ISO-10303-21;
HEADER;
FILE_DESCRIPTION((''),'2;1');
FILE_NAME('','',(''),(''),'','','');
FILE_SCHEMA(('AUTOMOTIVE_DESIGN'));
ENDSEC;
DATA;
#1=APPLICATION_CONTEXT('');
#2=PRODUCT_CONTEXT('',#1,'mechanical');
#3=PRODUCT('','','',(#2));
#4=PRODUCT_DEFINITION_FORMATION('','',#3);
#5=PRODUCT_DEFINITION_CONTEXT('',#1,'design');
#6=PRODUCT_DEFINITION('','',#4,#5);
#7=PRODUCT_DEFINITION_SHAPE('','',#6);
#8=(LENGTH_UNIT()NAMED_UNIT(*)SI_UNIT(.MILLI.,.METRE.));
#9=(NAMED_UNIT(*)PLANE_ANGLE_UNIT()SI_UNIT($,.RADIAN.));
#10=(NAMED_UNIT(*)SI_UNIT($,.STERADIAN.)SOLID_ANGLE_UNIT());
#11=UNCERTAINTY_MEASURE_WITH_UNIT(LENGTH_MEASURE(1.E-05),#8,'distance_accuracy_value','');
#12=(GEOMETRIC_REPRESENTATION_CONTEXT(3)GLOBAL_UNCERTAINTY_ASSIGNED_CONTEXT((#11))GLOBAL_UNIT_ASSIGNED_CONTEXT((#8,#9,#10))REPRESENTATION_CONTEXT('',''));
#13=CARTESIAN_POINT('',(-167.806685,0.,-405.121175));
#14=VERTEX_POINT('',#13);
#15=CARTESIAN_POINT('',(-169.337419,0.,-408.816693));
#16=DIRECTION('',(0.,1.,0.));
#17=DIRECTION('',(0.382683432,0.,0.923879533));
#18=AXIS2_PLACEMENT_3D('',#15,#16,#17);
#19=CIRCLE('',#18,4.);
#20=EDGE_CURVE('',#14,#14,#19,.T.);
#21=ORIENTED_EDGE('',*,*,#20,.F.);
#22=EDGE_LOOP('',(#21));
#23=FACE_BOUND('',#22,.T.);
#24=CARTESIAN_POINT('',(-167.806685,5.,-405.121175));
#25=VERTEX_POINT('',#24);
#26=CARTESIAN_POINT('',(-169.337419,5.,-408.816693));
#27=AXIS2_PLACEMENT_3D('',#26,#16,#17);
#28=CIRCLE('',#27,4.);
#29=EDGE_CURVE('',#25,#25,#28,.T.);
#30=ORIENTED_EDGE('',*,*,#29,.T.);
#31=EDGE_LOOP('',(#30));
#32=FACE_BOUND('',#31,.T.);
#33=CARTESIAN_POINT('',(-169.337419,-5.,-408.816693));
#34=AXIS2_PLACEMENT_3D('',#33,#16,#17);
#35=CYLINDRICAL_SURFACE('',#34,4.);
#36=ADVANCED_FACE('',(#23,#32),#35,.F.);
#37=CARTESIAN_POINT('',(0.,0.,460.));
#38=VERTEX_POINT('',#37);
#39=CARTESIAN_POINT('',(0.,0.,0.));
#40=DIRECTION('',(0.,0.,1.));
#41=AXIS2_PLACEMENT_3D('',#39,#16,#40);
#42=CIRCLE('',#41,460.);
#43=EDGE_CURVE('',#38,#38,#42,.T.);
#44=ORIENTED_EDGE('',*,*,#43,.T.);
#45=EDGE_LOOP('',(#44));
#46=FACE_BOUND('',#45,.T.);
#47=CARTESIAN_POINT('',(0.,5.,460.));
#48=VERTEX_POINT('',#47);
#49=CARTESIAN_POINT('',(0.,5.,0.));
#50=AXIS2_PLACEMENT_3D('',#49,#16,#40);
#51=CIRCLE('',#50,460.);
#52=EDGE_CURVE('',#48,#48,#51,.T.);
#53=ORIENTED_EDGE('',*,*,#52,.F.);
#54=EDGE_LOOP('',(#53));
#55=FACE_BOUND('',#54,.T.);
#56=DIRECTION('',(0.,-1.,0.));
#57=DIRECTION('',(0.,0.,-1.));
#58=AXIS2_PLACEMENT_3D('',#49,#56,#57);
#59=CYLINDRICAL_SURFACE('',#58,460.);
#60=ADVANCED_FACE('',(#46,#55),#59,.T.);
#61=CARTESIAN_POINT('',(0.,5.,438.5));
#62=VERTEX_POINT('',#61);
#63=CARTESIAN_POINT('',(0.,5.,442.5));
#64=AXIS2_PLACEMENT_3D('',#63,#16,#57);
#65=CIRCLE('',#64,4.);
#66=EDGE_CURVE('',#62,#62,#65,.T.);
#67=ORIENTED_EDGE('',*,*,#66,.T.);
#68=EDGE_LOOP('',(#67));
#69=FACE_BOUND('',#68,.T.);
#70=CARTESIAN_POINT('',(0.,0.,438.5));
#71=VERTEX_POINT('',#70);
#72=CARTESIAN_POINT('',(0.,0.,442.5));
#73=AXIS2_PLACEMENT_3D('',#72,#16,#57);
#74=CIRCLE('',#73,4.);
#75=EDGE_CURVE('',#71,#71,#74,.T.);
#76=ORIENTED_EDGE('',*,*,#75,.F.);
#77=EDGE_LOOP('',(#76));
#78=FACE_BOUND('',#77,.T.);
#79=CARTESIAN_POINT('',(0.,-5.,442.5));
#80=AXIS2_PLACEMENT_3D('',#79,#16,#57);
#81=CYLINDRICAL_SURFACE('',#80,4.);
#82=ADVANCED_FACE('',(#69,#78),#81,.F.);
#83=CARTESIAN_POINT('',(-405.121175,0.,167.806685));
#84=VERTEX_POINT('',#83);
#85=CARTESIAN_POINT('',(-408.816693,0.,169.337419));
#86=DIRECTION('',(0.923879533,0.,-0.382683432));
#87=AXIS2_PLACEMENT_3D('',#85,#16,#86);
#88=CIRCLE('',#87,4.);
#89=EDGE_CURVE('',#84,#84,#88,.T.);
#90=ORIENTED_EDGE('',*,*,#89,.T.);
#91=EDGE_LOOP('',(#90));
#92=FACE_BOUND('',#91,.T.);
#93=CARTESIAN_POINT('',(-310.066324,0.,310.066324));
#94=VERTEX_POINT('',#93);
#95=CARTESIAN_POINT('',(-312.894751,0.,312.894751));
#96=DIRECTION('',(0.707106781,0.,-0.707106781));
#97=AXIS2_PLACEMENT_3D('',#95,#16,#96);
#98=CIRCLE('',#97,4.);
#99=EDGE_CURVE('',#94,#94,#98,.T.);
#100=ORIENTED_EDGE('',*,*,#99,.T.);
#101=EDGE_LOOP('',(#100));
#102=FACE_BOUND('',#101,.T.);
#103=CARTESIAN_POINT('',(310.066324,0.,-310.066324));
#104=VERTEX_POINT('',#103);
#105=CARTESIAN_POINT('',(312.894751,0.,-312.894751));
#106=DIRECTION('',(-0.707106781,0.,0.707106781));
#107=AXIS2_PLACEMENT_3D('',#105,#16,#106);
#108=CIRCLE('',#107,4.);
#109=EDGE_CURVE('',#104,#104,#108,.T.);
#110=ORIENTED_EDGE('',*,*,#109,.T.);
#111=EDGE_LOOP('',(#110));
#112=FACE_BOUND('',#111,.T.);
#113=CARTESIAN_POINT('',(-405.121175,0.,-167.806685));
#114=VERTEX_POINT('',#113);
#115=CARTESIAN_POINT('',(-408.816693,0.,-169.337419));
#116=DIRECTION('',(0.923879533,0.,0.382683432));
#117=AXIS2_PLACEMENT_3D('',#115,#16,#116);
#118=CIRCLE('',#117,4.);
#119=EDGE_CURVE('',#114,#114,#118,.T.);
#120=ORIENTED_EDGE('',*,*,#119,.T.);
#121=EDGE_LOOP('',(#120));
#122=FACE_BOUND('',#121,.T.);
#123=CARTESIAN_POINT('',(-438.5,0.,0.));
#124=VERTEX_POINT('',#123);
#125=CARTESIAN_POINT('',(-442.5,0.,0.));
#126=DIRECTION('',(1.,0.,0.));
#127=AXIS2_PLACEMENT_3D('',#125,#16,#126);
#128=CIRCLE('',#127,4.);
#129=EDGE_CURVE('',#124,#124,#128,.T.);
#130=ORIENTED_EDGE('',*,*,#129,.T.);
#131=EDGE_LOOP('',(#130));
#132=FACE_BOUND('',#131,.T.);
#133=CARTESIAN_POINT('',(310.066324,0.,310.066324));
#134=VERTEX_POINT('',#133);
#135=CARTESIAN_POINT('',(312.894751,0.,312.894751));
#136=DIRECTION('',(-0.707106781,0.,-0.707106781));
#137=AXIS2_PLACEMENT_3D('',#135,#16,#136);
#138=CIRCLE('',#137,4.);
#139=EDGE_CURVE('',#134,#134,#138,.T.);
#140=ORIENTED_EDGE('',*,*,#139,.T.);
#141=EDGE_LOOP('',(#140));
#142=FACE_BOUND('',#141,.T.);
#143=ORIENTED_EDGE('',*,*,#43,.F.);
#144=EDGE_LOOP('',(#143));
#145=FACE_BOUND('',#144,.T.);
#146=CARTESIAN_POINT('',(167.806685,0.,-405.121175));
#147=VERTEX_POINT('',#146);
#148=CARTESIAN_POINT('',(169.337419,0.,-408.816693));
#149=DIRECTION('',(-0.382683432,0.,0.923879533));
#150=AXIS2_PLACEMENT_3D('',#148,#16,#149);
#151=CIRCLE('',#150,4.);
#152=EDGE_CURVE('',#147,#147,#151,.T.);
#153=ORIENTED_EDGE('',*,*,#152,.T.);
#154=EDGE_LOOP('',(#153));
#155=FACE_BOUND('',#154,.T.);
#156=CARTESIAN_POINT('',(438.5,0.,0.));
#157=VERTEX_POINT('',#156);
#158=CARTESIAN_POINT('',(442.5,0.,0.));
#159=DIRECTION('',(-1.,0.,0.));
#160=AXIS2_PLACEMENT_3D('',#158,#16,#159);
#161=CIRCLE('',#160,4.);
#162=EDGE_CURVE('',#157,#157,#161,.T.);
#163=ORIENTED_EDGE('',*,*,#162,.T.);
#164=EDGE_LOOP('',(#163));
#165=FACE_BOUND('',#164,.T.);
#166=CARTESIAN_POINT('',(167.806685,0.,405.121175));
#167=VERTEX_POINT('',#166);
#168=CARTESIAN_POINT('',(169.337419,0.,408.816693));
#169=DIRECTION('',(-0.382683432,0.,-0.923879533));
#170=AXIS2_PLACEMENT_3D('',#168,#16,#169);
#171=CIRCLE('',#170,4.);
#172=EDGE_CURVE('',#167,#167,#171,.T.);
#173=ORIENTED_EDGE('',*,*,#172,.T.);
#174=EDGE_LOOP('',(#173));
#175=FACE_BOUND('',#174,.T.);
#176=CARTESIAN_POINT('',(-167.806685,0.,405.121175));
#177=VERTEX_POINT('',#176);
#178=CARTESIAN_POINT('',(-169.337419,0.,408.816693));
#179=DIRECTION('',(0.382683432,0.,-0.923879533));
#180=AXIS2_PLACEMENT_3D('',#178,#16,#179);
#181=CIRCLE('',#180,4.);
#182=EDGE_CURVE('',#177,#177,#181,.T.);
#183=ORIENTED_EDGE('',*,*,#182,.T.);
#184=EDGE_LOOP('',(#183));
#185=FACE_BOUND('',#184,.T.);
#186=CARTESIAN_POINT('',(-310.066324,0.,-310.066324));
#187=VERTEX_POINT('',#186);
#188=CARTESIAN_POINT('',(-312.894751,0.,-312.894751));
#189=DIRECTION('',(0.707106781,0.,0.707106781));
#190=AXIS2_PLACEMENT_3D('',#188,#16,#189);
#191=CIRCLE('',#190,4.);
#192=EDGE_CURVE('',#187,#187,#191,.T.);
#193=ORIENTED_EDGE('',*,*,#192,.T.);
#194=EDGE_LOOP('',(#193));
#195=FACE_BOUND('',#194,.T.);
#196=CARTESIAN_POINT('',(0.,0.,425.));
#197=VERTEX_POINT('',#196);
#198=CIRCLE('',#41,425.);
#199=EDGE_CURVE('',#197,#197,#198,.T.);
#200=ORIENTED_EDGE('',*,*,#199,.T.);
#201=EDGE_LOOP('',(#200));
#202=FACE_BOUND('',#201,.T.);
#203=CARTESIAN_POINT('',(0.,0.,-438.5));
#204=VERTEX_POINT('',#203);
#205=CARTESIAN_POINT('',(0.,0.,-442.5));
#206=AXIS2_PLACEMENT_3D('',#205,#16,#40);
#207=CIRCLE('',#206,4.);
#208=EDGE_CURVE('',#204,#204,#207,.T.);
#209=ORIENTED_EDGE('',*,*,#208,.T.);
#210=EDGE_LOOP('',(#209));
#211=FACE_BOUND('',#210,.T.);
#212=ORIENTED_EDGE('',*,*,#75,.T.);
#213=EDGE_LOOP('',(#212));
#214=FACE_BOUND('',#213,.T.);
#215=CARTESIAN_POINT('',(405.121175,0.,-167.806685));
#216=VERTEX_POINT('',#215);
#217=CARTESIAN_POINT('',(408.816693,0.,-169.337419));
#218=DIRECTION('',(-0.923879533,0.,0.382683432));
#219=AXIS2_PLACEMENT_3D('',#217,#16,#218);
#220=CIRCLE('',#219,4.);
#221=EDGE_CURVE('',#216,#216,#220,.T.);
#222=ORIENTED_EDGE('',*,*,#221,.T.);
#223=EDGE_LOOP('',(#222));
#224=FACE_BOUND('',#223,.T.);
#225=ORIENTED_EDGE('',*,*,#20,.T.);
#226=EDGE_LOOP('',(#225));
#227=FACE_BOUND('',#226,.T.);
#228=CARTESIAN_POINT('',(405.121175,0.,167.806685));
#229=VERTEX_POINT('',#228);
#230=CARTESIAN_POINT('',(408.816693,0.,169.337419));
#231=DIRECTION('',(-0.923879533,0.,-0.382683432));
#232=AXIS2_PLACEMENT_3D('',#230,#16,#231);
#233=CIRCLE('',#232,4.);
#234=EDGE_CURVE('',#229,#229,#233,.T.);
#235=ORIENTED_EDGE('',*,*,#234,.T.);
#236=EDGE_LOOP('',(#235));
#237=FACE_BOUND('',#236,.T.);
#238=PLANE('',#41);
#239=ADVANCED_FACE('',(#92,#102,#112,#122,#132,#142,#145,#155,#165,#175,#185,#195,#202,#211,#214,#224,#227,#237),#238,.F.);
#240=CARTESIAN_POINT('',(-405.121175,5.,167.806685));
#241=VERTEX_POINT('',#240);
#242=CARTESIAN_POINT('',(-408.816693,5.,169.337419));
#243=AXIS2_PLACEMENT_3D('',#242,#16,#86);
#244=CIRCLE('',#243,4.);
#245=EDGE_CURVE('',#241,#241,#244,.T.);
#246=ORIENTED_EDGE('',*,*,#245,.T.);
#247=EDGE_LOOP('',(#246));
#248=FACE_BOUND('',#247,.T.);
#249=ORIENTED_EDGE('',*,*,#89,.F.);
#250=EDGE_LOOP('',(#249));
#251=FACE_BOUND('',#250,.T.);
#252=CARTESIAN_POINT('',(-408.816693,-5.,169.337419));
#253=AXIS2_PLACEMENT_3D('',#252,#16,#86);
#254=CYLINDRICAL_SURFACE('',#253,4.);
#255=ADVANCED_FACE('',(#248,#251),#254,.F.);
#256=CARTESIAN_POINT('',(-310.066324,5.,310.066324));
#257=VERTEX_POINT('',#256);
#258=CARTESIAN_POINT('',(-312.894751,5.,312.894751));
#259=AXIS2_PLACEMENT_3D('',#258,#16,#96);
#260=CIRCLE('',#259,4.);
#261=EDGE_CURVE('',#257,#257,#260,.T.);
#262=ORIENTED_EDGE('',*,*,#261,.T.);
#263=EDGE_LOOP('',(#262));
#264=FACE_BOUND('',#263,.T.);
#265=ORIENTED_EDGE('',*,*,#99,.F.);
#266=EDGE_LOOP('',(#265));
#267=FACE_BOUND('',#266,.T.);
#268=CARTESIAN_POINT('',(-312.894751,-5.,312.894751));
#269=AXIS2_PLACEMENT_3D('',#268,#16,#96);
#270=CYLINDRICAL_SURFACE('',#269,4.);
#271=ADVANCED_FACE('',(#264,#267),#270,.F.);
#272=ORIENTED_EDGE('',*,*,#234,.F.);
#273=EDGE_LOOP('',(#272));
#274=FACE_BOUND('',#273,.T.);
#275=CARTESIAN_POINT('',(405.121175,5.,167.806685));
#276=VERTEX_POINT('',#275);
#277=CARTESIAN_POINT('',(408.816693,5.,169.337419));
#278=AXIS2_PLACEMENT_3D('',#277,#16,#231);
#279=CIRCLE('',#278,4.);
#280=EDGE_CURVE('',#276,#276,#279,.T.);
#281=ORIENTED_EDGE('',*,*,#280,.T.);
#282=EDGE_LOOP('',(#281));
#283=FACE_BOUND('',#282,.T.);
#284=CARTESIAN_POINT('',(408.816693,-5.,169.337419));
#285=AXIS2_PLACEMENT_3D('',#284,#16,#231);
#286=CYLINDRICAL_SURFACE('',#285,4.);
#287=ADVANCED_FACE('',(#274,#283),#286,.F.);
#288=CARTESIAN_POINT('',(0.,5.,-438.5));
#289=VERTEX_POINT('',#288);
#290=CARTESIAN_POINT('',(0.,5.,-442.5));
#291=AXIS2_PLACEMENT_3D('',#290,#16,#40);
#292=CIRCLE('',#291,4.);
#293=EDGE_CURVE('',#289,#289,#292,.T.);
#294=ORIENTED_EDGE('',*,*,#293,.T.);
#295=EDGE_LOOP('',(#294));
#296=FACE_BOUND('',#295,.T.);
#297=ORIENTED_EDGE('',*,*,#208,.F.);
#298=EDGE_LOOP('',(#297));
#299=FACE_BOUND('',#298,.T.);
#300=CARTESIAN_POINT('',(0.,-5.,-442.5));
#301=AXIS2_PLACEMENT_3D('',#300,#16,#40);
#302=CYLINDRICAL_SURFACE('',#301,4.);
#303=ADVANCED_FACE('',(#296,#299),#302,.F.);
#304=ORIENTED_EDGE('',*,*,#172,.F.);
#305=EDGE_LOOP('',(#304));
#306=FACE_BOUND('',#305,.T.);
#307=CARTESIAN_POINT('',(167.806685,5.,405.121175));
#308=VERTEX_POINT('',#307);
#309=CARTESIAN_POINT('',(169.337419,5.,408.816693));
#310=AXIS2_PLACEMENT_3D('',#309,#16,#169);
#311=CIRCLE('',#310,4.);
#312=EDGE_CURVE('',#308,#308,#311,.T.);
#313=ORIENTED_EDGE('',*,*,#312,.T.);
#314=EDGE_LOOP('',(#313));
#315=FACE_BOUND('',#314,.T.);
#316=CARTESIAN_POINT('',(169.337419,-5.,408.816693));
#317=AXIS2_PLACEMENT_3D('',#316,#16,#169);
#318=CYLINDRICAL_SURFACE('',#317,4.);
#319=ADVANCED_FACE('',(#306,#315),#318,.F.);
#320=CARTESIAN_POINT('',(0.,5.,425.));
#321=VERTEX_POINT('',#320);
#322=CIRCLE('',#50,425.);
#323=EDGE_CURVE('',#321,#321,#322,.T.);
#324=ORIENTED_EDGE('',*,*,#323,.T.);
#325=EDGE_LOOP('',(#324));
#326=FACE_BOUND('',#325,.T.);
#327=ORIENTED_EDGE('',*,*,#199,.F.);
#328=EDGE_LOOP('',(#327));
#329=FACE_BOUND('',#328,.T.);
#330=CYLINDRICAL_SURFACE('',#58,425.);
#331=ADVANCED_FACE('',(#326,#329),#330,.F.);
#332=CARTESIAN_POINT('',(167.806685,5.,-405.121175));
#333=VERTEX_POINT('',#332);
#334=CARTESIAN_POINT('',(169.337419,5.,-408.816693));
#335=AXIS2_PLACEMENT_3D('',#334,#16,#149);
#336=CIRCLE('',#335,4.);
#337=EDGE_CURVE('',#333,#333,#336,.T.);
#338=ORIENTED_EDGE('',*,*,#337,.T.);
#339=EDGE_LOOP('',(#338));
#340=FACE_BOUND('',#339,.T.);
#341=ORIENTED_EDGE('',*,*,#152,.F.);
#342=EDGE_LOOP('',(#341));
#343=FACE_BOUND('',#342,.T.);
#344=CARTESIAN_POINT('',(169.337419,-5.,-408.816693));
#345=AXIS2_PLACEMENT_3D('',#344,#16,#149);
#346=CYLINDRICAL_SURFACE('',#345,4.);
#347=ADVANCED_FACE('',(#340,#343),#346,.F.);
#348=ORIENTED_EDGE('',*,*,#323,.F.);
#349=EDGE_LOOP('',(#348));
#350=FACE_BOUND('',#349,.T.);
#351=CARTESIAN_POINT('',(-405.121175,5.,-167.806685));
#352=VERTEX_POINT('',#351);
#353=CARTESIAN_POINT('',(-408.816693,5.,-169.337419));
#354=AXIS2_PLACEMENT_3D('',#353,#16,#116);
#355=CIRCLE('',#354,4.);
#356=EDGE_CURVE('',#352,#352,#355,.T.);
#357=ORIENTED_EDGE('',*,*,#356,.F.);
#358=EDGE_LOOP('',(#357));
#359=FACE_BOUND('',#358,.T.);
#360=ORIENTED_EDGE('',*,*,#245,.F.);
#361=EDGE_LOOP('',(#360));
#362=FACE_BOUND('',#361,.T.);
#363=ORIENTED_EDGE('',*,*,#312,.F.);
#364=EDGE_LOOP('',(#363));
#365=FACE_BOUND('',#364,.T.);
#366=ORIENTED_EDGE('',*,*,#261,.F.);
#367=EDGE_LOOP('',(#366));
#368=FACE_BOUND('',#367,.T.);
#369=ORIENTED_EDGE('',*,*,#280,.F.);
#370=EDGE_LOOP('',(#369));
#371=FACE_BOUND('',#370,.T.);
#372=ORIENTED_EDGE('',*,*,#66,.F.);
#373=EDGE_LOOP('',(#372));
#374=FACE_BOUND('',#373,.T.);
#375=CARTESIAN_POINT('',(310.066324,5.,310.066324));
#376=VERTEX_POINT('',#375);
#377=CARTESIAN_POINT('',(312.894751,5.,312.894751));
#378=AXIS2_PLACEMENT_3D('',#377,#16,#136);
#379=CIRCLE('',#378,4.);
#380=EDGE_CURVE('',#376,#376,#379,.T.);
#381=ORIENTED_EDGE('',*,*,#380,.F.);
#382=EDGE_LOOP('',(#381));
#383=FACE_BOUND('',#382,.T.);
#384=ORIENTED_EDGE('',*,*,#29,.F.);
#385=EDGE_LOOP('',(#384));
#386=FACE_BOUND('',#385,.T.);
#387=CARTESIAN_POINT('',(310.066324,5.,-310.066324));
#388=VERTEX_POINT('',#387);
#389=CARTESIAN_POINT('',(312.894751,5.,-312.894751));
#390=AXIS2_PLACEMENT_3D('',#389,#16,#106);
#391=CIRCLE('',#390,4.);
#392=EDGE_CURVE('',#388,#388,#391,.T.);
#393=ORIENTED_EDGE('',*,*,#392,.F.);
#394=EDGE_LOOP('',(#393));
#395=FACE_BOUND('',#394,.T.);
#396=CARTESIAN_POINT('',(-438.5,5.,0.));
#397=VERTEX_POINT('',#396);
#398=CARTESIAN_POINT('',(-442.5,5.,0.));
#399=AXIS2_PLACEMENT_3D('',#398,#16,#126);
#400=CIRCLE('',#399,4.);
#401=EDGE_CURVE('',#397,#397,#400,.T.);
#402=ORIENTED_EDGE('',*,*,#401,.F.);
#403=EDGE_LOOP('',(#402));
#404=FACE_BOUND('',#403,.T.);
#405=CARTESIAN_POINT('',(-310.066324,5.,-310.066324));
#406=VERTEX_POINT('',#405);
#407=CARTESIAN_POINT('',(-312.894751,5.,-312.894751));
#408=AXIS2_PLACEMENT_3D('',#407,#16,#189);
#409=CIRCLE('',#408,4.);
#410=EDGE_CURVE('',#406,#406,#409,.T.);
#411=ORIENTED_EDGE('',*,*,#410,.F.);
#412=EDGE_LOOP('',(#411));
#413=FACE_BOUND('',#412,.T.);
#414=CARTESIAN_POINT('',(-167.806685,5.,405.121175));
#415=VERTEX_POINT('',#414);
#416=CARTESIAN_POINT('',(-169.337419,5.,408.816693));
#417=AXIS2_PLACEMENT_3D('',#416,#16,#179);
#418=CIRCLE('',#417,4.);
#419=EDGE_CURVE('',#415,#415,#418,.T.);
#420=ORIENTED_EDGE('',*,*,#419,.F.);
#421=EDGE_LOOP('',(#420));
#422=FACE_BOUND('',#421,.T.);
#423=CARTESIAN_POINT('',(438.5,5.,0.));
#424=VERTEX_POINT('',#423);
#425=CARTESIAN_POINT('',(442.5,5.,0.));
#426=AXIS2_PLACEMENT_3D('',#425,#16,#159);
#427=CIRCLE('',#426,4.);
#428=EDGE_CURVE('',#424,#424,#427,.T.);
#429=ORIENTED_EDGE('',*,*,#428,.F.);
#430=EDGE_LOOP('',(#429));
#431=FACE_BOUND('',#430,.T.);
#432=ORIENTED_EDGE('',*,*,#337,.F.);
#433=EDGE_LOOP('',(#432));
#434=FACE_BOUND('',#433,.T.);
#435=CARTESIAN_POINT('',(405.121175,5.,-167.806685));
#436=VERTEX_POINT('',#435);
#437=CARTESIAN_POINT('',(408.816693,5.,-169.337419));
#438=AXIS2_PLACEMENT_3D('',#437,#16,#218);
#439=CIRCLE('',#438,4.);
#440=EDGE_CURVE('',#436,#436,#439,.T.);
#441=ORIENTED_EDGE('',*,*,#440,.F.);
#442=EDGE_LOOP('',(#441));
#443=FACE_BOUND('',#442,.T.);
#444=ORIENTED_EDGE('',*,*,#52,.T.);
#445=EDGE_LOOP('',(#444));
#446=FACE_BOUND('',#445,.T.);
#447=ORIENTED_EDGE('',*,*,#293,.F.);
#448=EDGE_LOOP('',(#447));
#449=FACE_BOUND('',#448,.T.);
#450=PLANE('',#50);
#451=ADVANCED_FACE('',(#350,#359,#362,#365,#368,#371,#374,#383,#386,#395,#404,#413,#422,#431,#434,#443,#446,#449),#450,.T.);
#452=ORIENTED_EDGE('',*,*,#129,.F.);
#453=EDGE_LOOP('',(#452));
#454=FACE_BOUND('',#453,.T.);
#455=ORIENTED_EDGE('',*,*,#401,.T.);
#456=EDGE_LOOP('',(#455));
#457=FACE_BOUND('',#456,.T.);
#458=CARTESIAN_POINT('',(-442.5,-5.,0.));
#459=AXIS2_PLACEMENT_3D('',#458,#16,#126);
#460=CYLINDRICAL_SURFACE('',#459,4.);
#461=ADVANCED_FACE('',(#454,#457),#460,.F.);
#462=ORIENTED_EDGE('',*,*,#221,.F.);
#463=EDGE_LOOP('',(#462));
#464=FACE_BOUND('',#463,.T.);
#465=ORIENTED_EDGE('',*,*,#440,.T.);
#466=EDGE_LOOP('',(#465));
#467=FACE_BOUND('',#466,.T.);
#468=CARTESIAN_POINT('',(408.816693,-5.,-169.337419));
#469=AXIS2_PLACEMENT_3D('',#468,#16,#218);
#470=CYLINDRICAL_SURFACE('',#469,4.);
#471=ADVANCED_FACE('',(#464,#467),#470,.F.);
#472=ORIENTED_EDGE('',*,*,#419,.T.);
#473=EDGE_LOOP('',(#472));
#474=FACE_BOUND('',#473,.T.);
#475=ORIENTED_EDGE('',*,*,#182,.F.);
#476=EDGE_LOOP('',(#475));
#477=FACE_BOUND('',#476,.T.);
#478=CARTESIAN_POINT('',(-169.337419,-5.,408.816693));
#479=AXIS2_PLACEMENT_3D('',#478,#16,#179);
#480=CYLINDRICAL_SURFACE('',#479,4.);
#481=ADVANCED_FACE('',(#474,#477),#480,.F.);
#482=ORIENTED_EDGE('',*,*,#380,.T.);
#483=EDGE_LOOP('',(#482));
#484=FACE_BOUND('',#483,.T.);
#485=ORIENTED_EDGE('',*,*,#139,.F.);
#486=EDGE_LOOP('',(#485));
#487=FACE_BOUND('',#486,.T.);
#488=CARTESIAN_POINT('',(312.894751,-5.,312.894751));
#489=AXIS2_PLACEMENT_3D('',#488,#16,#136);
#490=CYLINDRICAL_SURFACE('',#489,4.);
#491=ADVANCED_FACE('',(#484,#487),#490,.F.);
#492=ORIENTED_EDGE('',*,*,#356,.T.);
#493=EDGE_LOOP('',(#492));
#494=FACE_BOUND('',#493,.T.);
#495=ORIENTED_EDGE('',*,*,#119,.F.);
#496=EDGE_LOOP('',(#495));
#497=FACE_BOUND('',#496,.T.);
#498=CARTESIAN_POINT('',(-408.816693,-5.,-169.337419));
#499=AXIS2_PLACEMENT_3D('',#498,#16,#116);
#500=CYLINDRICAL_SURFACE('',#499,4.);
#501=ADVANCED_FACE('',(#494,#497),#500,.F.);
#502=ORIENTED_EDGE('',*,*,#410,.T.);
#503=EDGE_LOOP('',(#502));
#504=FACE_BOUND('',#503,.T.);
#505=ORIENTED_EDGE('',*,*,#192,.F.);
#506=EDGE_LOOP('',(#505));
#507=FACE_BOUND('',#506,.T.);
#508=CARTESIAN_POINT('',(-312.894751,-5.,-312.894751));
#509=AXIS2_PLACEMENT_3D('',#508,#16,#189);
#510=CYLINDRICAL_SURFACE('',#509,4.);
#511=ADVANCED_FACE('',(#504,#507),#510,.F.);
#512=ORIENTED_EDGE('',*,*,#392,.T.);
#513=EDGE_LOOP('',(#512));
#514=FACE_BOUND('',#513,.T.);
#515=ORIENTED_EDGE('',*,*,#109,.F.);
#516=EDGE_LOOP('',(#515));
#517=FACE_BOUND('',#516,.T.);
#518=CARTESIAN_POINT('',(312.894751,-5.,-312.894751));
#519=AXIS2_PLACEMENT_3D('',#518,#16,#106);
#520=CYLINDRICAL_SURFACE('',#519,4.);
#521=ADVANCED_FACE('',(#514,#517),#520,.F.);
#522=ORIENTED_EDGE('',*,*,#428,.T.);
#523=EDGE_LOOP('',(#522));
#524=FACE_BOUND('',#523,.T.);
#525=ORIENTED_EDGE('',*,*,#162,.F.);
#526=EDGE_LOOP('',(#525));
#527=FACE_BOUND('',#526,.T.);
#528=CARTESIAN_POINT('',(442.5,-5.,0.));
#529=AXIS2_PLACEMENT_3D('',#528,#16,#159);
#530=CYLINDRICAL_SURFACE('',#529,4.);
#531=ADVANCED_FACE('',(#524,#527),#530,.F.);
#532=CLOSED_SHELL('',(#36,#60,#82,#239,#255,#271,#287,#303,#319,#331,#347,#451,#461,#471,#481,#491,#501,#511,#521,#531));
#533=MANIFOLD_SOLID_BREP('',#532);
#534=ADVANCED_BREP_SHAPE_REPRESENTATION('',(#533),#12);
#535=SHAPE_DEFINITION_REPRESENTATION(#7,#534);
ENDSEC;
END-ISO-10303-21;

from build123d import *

# Parameters (mm, degrees)
SKETCH1_R           = 460
SKETCH1_R_2         = 425
BOSS_EXTRUDE1_DEPTH = 5
SKETCH2_R           = 4
CUT_EXTRUDE1_DEPTH  = 10
CIRPATTERN1_COUNT   = 16


with BuildPart() as part:
    # Sketch1 → Boss-Extrude1 (new body)
    with BuildSketch(Plane(origin=(0, 0, 0), x_dir=(1, 0, 0), z_dir=(0, 1, 0))):
        with Locations(Location((0, 0, 0), (0, 0, 270))):
            Circle(SKETCH1_R)
        with Locations(Location((0, 0, 0), (0, 0, 270))):
            Circle(SKETCH1_R_2, mode=Mode.SUBTRACT)
    extrude(amount=BOSS_EXTRUDE1_DEPTH)

    # Sketch2 → Cut-Extrude1 (cut)
    with BuildSketch(Plane(origin=(0, 5, 0), x_dir=(1, 0, 0), z_dir=(0, 1, 0))):
        with Locations(Location((0, 442.5, 0), (0, 0, 270))):
            Circle(SKETCH2_R)
    cut_extrude1 = extrude(amount=-CUT_EXTRUDE1_DEPTH, mode=Mode.SUBTRACT)

    # CirPattern1: Cut-Extrude1 ×16 about axis
    cirpattern1_axis = Axis((0, 0, 0), (0, 1, 0))
    for i in range(1, CIRPATTERN1_COUNT):
        add(cut_extrude1.rotate(cirpattern1_axis, i * 360 / CIRPATTERN1_COUNT), mode=Mode.SUBTRACT)


solid = part.part
